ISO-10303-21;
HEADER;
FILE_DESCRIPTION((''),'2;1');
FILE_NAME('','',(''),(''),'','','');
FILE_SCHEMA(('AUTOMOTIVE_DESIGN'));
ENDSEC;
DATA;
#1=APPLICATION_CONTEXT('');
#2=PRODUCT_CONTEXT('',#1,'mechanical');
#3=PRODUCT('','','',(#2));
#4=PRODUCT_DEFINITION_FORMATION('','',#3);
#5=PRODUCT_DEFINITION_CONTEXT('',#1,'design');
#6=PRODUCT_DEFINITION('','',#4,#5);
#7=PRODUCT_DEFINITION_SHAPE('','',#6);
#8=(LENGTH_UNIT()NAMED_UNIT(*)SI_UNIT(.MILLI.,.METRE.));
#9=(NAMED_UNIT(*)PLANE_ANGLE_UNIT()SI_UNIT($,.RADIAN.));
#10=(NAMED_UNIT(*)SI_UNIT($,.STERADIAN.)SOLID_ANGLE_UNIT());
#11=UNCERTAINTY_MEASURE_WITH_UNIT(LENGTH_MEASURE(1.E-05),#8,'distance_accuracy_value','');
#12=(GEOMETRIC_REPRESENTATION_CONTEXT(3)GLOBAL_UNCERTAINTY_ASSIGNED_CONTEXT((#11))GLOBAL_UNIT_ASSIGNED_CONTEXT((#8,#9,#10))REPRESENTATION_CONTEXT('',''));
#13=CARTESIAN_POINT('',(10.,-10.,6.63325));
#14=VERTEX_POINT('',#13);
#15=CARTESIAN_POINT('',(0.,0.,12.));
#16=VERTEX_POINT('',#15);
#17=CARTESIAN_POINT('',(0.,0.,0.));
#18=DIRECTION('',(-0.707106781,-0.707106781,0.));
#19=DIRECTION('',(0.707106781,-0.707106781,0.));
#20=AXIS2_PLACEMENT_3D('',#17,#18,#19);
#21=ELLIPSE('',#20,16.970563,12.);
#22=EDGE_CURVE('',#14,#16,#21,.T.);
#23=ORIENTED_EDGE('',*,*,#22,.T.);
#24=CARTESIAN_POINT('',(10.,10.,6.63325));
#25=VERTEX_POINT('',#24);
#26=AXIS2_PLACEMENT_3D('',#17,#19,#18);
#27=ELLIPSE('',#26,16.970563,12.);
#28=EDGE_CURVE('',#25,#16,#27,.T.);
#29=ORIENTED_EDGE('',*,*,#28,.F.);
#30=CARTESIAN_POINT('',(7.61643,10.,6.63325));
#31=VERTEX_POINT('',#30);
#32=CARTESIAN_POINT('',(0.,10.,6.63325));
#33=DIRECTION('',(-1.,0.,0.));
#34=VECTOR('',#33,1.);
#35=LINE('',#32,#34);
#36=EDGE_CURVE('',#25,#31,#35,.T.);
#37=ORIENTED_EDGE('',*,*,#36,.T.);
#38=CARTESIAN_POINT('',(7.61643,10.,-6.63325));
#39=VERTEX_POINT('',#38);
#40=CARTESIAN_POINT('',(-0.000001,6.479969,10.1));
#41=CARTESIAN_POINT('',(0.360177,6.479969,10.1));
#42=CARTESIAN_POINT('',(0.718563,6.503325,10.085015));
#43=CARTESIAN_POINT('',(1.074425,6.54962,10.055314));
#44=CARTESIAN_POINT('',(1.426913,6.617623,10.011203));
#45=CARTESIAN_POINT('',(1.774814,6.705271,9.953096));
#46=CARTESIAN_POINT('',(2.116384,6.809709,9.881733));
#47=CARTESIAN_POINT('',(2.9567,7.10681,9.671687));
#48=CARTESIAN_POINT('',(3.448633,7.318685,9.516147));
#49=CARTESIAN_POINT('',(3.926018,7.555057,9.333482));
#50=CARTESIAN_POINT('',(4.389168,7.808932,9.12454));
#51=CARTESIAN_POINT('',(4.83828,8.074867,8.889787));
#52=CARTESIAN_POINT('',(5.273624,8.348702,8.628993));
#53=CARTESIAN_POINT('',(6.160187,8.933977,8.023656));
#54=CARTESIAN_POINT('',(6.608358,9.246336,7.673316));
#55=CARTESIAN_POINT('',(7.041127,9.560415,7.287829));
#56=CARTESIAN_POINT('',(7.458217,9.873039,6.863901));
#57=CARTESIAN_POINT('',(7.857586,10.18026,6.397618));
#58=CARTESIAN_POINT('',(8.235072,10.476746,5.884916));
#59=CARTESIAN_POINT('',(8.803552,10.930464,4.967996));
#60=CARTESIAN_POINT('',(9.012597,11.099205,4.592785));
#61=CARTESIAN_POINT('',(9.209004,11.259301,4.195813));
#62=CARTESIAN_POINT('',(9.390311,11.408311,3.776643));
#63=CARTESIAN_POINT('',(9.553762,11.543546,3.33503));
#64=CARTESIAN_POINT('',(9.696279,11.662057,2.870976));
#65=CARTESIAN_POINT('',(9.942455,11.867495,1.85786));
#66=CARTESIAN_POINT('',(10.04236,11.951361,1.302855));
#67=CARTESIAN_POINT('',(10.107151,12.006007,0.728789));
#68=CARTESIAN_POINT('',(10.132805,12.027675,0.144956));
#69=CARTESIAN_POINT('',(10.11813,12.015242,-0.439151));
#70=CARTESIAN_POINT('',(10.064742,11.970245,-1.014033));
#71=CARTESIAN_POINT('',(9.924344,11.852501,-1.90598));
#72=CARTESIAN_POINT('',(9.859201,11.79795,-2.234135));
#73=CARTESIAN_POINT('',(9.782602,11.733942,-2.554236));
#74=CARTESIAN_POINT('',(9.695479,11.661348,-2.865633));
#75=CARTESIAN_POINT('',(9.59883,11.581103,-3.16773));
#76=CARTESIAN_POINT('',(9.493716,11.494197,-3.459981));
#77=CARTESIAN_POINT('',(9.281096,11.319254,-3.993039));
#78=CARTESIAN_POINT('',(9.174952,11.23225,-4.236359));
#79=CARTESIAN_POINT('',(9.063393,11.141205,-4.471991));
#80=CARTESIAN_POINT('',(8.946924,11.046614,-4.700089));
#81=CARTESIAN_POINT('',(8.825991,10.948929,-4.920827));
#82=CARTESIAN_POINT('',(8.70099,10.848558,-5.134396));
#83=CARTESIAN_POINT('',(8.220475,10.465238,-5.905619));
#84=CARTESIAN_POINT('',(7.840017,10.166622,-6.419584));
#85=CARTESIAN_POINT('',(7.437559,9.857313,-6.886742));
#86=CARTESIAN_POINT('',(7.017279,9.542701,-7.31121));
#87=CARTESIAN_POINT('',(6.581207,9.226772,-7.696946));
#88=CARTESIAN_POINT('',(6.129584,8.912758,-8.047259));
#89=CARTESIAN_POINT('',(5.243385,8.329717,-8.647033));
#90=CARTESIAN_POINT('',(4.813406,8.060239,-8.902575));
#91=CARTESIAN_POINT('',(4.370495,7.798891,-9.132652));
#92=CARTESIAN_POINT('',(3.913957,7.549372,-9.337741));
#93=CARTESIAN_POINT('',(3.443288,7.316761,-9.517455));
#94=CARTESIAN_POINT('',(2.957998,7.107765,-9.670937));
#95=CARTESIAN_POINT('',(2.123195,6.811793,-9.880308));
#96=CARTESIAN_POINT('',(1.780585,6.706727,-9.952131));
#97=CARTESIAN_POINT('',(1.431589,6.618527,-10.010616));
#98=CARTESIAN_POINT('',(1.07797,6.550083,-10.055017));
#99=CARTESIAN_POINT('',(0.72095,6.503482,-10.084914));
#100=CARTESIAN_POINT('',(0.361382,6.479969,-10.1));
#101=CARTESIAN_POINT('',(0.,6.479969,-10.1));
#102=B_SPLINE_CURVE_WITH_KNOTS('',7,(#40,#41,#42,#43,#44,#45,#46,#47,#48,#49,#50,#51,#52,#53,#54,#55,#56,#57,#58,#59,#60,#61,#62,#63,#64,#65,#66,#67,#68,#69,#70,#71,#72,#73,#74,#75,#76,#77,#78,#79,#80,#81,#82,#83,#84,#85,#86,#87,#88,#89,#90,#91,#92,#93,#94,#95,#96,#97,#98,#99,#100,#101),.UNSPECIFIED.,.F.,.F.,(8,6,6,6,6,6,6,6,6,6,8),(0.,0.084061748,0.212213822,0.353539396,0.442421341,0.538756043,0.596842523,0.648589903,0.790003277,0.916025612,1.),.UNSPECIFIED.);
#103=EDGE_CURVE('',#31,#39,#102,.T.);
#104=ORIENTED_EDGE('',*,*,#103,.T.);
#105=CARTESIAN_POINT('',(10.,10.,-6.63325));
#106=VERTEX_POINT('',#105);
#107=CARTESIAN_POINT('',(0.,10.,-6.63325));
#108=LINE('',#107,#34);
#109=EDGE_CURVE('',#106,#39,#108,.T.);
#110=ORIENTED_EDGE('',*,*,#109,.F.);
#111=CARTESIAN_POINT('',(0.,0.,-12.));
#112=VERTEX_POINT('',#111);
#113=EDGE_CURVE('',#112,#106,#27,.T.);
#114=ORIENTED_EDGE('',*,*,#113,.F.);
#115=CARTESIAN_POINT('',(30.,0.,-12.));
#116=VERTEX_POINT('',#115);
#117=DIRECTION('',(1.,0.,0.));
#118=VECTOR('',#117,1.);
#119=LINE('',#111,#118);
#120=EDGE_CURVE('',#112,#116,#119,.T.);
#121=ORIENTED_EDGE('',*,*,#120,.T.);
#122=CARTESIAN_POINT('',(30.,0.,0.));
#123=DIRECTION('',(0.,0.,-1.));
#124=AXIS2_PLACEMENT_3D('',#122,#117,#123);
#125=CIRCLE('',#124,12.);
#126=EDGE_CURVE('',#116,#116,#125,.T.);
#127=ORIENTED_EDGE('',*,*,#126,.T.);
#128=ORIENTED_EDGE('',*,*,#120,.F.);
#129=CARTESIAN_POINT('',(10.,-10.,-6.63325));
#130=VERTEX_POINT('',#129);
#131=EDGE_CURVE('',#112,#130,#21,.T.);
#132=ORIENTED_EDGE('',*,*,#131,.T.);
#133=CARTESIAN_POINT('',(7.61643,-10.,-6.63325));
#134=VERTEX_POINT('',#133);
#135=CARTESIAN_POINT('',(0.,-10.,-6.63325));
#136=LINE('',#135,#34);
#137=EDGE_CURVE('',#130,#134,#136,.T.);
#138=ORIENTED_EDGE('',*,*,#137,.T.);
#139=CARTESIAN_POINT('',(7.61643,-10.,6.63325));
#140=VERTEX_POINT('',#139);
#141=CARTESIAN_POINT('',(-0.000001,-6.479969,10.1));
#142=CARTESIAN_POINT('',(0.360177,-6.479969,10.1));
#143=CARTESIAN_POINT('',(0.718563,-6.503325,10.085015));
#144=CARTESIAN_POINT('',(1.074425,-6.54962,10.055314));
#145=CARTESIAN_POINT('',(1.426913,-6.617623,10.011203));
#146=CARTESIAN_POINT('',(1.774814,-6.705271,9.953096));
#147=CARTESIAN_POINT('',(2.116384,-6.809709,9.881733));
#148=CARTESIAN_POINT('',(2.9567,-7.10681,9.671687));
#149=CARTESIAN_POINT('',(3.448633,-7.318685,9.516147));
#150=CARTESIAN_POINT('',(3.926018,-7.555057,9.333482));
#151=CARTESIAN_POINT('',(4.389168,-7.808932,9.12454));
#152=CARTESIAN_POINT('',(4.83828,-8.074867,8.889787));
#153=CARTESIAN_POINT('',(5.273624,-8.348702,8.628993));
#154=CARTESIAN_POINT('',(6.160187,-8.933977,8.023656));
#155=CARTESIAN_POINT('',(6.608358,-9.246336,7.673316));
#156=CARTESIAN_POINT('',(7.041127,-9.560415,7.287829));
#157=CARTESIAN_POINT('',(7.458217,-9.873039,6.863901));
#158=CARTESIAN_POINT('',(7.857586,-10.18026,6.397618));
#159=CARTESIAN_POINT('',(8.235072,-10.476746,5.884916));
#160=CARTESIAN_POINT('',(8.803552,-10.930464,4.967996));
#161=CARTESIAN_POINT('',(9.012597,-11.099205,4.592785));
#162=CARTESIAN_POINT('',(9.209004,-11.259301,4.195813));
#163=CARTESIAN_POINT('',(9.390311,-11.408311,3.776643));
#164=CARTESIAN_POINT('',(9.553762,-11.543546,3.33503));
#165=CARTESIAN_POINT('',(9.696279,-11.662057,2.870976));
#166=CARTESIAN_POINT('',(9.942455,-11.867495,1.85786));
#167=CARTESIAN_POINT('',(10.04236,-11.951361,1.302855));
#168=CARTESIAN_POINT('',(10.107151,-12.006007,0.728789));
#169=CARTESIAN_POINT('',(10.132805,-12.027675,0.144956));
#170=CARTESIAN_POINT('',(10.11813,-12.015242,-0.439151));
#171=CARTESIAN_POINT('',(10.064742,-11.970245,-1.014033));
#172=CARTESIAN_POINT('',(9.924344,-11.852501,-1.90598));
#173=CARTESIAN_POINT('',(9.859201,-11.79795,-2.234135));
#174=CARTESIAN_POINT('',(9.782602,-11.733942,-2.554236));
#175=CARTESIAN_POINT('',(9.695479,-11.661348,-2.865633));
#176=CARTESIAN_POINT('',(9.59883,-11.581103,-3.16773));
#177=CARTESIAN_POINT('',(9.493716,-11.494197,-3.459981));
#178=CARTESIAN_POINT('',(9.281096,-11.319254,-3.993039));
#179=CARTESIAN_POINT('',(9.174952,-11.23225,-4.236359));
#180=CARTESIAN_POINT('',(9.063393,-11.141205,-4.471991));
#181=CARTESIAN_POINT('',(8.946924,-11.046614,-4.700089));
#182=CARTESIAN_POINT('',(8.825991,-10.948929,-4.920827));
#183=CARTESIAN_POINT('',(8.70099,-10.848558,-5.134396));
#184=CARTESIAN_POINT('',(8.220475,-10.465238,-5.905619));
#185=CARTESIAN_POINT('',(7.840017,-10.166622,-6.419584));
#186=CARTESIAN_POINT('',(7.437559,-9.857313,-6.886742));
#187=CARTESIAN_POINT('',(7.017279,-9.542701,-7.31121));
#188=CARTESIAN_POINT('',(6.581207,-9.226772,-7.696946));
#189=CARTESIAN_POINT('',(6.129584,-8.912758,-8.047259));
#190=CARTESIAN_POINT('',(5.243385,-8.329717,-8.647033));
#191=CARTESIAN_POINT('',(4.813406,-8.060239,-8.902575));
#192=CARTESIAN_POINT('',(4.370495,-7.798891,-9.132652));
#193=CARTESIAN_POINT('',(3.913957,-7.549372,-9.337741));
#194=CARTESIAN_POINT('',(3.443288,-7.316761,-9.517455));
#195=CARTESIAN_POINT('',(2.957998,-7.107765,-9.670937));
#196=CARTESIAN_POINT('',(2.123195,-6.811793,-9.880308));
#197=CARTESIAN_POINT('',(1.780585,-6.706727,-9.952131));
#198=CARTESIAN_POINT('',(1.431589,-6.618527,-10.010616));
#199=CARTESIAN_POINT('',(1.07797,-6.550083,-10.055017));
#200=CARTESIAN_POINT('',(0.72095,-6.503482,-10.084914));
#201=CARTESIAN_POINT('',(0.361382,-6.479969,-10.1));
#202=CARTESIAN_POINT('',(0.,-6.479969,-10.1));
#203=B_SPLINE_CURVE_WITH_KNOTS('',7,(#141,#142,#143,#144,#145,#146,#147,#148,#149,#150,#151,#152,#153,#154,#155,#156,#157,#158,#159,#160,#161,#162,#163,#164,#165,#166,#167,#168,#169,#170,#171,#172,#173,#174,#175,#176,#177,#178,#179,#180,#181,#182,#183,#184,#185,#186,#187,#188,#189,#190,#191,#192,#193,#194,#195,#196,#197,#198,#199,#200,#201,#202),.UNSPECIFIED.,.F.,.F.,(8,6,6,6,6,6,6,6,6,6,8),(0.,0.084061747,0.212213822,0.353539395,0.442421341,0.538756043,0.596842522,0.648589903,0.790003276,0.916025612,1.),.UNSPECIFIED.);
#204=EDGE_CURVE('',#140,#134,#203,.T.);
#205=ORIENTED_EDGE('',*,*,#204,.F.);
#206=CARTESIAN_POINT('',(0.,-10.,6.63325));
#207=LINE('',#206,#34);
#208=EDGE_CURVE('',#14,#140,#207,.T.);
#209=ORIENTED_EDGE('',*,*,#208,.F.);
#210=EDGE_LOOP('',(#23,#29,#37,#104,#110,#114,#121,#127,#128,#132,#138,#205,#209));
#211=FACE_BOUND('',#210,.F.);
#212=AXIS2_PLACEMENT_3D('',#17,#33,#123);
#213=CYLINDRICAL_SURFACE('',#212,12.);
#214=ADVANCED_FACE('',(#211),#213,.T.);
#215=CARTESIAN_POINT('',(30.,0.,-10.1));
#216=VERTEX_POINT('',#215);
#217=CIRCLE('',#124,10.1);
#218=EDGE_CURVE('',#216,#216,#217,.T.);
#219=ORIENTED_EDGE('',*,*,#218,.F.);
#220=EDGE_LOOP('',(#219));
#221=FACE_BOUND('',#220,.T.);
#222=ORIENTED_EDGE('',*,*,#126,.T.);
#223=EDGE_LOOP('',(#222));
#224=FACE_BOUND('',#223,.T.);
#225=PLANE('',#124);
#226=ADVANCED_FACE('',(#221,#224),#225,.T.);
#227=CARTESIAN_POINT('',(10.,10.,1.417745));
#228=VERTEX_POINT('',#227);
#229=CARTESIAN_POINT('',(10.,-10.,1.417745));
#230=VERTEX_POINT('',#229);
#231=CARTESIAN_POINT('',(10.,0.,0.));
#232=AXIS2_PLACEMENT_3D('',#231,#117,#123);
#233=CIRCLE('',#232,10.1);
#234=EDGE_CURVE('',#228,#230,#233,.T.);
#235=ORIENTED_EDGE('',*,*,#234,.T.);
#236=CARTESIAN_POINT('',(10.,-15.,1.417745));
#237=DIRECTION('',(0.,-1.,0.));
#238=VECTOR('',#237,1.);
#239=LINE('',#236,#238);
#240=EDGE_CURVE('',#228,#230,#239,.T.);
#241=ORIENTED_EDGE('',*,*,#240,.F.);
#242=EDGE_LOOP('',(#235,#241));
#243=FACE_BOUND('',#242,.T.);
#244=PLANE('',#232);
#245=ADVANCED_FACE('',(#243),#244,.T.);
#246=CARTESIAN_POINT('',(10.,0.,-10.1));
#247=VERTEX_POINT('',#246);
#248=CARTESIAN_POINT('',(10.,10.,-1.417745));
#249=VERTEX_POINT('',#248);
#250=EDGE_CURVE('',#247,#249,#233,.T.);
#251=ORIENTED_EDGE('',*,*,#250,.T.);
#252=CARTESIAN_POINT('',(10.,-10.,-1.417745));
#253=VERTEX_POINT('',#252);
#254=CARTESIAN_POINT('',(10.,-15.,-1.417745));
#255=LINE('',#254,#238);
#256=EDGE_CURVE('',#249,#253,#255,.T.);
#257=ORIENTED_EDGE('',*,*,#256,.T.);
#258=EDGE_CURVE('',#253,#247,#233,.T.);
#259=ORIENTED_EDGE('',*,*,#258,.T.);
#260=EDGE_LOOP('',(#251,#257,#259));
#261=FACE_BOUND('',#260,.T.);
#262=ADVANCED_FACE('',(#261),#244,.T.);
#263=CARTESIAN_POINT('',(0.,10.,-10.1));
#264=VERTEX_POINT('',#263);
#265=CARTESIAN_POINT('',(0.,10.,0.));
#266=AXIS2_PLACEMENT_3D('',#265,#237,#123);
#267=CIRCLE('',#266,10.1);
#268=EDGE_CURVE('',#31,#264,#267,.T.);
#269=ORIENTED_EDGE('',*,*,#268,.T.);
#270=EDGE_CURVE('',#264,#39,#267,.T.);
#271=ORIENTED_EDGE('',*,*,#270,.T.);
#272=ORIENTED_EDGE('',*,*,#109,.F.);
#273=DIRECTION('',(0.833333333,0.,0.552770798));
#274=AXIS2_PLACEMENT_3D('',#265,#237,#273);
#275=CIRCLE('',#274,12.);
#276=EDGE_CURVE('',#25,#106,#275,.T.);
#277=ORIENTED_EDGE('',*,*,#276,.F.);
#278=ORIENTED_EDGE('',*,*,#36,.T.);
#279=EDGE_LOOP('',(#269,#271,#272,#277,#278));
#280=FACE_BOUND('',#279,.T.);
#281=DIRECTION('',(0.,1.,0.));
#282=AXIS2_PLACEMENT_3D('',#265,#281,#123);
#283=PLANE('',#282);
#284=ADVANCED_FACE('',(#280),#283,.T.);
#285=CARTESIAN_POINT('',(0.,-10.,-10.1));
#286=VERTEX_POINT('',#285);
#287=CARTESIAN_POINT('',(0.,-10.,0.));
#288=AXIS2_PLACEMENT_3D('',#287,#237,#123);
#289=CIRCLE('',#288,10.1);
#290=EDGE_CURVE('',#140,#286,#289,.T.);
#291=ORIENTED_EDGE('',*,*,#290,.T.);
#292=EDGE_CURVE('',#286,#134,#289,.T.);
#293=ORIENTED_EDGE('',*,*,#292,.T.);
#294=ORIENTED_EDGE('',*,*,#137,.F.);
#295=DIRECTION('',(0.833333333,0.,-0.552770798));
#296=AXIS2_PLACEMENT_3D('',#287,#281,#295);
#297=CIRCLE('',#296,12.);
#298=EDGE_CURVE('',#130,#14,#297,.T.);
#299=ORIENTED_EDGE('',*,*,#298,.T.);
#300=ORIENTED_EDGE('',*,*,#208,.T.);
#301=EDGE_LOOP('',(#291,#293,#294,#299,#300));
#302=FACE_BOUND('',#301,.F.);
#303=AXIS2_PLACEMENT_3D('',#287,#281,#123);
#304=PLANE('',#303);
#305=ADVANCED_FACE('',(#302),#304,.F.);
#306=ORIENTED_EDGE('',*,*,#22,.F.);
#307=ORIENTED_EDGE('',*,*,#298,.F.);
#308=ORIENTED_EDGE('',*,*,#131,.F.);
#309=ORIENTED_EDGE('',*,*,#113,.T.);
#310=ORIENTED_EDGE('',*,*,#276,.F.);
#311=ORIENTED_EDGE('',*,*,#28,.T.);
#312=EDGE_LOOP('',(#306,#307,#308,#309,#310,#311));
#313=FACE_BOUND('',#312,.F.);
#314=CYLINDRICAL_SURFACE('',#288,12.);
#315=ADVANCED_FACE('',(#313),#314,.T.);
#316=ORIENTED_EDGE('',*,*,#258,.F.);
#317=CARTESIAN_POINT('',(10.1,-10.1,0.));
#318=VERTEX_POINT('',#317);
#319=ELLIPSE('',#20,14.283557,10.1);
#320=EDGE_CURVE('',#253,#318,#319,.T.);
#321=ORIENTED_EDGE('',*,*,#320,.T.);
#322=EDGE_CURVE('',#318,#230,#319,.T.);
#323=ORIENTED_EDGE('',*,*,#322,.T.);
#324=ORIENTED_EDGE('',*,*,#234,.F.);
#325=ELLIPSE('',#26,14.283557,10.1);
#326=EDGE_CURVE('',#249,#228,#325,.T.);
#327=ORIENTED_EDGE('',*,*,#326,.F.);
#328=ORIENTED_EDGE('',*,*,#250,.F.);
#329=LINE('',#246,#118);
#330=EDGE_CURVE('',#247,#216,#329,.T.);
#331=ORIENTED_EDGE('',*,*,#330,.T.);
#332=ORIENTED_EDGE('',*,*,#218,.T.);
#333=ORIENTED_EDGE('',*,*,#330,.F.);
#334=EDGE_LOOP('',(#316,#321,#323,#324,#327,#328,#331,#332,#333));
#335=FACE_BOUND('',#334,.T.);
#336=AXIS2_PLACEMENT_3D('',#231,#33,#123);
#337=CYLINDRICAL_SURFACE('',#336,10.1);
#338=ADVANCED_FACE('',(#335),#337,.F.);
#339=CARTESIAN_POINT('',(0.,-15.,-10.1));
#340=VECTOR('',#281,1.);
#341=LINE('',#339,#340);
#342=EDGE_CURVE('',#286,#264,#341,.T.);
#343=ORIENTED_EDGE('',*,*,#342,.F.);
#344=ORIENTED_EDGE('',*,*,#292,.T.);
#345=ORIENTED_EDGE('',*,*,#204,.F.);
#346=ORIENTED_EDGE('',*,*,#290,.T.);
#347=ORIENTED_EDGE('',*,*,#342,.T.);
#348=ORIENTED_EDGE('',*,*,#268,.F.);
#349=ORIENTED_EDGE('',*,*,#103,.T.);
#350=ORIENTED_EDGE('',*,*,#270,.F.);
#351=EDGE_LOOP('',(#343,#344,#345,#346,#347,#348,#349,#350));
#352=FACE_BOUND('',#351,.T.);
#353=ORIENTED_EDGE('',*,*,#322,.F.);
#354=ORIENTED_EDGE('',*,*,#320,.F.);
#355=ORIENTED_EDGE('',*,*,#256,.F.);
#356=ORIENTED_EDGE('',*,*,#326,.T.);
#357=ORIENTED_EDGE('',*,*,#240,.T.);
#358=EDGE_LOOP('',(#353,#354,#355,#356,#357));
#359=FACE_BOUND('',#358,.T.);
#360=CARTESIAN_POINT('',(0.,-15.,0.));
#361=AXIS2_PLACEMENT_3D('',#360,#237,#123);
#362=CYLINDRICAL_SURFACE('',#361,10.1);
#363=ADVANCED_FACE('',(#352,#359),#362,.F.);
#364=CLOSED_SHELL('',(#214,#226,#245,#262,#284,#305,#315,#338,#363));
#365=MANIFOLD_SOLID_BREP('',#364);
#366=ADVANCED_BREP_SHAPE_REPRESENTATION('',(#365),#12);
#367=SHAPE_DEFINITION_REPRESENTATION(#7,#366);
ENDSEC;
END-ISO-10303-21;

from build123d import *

# Parameters (mm, degrees)
CYLINDER002_R           = 10.1
CYLINDER002_DEPTH       = 20
CYLINDER002_PITCH_ANGLE = 90
CYLINDER003_R           = 10.1
CYLINDER003_DEPTH       = 30
CYLINDER_R              = 12
CYLINDER_DEPTH          = 30
CYLINDER_PITCH_ANGLE    = 90
CYLINDER001_R           = 12
CYLINDER001_DEPTH       = 20


with BuildPart() as cylinder002:
    # Cylinder002 → Cylinder002 (new body)
    with BuildSketch(Plane.XY):
        Circle(CYLINDER002_R)
    extrude(amount=CYLINDER002_DEPTH)


with BuildPart() as cylinder002_1:
    # Cylinder002 pitch: moved
    add(cylinder002.part.rotate(Axis((0, 0, 0), (0, 1, 0)), CYLINDER002_PITCH_ANGLE))


with BuildPart() as cylinder002_2:
    # Cylinder002 placement: moved
    add(cylinder002_1.part.moved(Location((10, 0, 0))))


with BuildPart() as negative_fusion:
    # Cylinder003 → Cylinder003 (new body)
    with BuildSketch(Plane(origin=(0, -15, 0), x_dir=(0, 0, -1), z_dir=(0, 1, 0))):
        Circle(CYLINDER003_R)
    extrude(amount=CYLINDER003_DEPTH)

    # Fusion001: union Cylinder002
    add(cylinder002_2.part)


with BuildPart() as cylinder:
    # Cylinder → Cylinder (new body)
    with BuildSketch(Plane.XY):
        Circle(CYLINDER_R)
    extrude(amount=CYLINDER_DEPTH)


with BuildPart() as cylinder_1:
    # Cylinder pitch: moved
    add(cylinder.part.rotate(Axis((0, 0, 0), (0, 1, 0)), CYLINDER_PITCH_ANGLE))


with BuildPart() as cylinder_2:
    # Cylinder placement: moved
    add(cylinder_1.part)


with BuildPart() as cut:
    # Cylinder001 → Cylinder001 (new body)
    with BuildSketch(Plane(origin=(0, -10, 0), x_dir=(0, 0, -1), z_dir=(0, 1, 0))):
        Circle(CYLINDER001_R)
    extrude(amount=CYLINDER001_DEPTH)

    # Fusion: union Cylinder
    add(cylinder_2.part)

    # Cut: cut Negative Fusion
    add(negative_fusion.part, mode=Mode.SUBTRACT)


solid = cut.part
